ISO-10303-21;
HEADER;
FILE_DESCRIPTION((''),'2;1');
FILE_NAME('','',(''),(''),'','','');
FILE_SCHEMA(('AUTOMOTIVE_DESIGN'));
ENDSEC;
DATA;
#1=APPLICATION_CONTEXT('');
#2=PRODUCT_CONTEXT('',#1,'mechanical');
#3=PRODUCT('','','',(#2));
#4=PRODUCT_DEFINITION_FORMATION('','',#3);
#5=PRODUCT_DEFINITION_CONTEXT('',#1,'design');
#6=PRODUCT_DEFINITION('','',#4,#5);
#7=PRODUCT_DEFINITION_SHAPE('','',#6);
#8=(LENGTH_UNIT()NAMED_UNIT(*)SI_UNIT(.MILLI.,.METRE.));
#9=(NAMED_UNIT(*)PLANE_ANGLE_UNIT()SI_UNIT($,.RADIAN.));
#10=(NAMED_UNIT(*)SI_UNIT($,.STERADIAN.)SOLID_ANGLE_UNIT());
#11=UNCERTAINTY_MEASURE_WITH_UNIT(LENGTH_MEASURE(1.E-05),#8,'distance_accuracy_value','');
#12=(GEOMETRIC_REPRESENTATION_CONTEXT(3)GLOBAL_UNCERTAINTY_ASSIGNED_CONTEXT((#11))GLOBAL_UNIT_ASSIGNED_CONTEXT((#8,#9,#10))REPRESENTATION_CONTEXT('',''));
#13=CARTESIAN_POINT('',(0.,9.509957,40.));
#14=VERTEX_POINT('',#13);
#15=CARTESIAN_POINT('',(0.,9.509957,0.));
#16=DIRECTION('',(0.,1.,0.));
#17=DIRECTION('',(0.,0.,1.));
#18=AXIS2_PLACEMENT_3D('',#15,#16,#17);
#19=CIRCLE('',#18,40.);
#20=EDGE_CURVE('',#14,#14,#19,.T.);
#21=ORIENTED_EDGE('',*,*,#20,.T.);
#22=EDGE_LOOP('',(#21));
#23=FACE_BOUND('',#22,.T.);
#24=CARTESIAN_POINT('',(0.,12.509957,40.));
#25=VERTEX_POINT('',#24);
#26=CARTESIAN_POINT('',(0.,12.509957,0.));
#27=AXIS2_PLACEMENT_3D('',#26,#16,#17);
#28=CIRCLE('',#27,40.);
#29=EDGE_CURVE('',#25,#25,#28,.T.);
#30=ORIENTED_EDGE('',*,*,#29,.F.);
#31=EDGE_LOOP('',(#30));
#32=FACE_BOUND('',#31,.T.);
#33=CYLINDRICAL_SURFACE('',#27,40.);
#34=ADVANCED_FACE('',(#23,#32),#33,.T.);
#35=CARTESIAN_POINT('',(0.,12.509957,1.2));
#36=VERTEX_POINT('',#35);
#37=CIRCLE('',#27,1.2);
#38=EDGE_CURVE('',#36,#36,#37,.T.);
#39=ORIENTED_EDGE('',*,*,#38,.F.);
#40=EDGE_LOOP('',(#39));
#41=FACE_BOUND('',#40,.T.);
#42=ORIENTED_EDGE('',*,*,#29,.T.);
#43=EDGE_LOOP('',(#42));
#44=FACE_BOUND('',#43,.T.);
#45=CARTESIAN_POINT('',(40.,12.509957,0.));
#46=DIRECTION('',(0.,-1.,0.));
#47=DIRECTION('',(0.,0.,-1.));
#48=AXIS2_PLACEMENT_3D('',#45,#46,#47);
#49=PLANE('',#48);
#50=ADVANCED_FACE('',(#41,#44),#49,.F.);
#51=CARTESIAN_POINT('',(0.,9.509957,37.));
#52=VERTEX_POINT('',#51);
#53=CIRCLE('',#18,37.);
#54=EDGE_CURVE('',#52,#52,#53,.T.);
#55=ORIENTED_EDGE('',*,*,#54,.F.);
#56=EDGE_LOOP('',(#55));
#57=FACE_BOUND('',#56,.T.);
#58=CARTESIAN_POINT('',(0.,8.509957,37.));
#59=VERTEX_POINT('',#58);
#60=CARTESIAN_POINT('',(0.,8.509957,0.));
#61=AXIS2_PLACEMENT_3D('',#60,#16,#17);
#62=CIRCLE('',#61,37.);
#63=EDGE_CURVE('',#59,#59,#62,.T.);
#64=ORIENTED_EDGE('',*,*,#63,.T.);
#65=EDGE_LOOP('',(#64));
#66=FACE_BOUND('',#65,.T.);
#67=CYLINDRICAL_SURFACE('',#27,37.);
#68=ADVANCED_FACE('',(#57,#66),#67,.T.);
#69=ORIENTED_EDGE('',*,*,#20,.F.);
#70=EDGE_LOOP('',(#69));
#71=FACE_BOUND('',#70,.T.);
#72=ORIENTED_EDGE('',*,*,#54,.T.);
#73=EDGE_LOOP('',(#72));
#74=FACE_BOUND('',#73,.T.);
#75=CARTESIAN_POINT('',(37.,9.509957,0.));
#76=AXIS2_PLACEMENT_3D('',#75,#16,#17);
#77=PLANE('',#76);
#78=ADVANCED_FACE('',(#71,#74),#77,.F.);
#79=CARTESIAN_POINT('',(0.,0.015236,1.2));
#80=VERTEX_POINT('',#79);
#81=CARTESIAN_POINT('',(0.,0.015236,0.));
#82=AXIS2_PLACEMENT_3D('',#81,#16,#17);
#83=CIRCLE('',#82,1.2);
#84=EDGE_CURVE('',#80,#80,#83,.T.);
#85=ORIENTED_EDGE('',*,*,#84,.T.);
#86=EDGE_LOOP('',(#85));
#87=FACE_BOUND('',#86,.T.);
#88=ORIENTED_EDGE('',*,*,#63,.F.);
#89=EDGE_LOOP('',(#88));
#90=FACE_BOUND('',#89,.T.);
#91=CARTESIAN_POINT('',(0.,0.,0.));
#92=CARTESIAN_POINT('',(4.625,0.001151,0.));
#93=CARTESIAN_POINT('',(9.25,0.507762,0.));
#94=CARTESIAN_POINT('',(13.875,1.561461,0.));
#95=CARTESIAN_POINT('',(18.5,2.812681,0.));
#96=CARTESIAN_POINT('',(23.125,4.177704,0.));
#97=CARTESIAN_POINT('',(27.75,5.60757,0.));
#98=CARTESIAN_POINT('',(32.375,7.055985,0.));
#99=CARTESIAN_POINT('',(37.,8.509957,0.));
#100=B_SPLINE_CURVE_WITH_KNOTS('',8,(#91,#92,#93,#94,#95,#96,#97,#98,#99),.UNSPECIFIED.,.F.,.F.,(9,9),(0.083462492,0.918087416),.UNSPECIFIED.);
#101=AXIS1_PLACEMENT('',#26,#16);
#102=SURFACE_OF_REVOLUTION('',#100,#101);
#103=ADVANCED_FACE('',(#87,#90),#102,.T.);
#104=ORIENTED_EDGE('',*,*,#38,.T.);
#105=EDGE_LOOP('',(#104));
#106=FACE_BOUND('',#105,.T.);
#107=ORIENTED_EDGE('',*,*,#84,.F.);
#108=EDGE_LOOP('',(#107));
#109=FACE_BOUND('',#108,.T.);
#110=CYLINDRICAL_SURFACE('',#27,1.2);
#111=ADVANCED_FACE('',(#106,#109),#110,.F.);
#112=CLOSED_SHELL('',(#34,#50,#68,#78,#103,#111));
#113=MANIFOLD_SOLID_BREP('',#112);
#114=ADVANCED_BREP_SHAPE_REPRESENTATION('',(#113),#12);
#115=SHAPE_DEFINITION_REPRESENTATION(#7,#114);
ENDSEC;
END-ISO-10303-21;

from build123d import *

# Parameters (mm, degrees)
SKETCH5_R          = 1.2
CUT_EXTRUDE1_DEPTH = 58.93530025


with BuildPart() as part:
    # Sketch3 → Revolve4 (revolve)
    with BuildSketch(Plane.XY, mode=Mode.PRIVATE) as revolve4_sk:
        with BuildLine():
            Line((1.2, 12.509956537), (1.2, 7.509956537))
            Line((1.2, 7.509956537), (0, 7.509956537))
            Line((0, 7.509956537), (0, 0))
            add(Edge.make_bspline(
                [(0, 0), (4.625000004, 0.00115105), (9.250000006, 0.507761818), (13.875000006, 1.561460586), (18.500000006, 2.812680954), (23.125000005, 4.177703823), (27.750000003, 5.607570275), (32.375000002, 7.055984932), (37, 8.509956537)],
                knots=[0.083462492, 0.083462492, 0.083462492, 0.083462492, 0.083462492, 0.083462492, 0.083462492, 0.083462492, 0.083462492, 0.918087416, 0.918087416, 0.918087416, 0.918087416, 0.918087416, 0.918087416, 0.918087416, 0.918087416, 0.918087416], degree=8))
            Line((37, 8.509956537), (37, 9.509956537))
            Line((37, 9.509956537), (40, 9.509956537))
            Line((40, 9.509956537), (40, 12.509956537))
            Line((40, 12.509956537), (1.2, 12.509956537))
        make_face()
    revolve(revolve4_sk.sketch.rotate(Axis((0, 12.509956537, 0), (0, -1, 0)), 90), axis=Axis((0, 12.509956537, 0), (0, -1, 0)))

    # Sketch5 → Cut-Extrude1 (cut, through all)
    with BuildSketch(Plane(origin=(0, 12.509956537, 0), x_dir=(1, 0, 0), z_dir=(0, 1, 0))):
        with Locations(Location((0, 0, 0), (0, 0, 270))):
            Circle(SKETCH5_R)
    extrude(amount=-CUT_EXTRUDE1_DEPTH, mode=Mode.SUBTRACT)


solid = part.part
